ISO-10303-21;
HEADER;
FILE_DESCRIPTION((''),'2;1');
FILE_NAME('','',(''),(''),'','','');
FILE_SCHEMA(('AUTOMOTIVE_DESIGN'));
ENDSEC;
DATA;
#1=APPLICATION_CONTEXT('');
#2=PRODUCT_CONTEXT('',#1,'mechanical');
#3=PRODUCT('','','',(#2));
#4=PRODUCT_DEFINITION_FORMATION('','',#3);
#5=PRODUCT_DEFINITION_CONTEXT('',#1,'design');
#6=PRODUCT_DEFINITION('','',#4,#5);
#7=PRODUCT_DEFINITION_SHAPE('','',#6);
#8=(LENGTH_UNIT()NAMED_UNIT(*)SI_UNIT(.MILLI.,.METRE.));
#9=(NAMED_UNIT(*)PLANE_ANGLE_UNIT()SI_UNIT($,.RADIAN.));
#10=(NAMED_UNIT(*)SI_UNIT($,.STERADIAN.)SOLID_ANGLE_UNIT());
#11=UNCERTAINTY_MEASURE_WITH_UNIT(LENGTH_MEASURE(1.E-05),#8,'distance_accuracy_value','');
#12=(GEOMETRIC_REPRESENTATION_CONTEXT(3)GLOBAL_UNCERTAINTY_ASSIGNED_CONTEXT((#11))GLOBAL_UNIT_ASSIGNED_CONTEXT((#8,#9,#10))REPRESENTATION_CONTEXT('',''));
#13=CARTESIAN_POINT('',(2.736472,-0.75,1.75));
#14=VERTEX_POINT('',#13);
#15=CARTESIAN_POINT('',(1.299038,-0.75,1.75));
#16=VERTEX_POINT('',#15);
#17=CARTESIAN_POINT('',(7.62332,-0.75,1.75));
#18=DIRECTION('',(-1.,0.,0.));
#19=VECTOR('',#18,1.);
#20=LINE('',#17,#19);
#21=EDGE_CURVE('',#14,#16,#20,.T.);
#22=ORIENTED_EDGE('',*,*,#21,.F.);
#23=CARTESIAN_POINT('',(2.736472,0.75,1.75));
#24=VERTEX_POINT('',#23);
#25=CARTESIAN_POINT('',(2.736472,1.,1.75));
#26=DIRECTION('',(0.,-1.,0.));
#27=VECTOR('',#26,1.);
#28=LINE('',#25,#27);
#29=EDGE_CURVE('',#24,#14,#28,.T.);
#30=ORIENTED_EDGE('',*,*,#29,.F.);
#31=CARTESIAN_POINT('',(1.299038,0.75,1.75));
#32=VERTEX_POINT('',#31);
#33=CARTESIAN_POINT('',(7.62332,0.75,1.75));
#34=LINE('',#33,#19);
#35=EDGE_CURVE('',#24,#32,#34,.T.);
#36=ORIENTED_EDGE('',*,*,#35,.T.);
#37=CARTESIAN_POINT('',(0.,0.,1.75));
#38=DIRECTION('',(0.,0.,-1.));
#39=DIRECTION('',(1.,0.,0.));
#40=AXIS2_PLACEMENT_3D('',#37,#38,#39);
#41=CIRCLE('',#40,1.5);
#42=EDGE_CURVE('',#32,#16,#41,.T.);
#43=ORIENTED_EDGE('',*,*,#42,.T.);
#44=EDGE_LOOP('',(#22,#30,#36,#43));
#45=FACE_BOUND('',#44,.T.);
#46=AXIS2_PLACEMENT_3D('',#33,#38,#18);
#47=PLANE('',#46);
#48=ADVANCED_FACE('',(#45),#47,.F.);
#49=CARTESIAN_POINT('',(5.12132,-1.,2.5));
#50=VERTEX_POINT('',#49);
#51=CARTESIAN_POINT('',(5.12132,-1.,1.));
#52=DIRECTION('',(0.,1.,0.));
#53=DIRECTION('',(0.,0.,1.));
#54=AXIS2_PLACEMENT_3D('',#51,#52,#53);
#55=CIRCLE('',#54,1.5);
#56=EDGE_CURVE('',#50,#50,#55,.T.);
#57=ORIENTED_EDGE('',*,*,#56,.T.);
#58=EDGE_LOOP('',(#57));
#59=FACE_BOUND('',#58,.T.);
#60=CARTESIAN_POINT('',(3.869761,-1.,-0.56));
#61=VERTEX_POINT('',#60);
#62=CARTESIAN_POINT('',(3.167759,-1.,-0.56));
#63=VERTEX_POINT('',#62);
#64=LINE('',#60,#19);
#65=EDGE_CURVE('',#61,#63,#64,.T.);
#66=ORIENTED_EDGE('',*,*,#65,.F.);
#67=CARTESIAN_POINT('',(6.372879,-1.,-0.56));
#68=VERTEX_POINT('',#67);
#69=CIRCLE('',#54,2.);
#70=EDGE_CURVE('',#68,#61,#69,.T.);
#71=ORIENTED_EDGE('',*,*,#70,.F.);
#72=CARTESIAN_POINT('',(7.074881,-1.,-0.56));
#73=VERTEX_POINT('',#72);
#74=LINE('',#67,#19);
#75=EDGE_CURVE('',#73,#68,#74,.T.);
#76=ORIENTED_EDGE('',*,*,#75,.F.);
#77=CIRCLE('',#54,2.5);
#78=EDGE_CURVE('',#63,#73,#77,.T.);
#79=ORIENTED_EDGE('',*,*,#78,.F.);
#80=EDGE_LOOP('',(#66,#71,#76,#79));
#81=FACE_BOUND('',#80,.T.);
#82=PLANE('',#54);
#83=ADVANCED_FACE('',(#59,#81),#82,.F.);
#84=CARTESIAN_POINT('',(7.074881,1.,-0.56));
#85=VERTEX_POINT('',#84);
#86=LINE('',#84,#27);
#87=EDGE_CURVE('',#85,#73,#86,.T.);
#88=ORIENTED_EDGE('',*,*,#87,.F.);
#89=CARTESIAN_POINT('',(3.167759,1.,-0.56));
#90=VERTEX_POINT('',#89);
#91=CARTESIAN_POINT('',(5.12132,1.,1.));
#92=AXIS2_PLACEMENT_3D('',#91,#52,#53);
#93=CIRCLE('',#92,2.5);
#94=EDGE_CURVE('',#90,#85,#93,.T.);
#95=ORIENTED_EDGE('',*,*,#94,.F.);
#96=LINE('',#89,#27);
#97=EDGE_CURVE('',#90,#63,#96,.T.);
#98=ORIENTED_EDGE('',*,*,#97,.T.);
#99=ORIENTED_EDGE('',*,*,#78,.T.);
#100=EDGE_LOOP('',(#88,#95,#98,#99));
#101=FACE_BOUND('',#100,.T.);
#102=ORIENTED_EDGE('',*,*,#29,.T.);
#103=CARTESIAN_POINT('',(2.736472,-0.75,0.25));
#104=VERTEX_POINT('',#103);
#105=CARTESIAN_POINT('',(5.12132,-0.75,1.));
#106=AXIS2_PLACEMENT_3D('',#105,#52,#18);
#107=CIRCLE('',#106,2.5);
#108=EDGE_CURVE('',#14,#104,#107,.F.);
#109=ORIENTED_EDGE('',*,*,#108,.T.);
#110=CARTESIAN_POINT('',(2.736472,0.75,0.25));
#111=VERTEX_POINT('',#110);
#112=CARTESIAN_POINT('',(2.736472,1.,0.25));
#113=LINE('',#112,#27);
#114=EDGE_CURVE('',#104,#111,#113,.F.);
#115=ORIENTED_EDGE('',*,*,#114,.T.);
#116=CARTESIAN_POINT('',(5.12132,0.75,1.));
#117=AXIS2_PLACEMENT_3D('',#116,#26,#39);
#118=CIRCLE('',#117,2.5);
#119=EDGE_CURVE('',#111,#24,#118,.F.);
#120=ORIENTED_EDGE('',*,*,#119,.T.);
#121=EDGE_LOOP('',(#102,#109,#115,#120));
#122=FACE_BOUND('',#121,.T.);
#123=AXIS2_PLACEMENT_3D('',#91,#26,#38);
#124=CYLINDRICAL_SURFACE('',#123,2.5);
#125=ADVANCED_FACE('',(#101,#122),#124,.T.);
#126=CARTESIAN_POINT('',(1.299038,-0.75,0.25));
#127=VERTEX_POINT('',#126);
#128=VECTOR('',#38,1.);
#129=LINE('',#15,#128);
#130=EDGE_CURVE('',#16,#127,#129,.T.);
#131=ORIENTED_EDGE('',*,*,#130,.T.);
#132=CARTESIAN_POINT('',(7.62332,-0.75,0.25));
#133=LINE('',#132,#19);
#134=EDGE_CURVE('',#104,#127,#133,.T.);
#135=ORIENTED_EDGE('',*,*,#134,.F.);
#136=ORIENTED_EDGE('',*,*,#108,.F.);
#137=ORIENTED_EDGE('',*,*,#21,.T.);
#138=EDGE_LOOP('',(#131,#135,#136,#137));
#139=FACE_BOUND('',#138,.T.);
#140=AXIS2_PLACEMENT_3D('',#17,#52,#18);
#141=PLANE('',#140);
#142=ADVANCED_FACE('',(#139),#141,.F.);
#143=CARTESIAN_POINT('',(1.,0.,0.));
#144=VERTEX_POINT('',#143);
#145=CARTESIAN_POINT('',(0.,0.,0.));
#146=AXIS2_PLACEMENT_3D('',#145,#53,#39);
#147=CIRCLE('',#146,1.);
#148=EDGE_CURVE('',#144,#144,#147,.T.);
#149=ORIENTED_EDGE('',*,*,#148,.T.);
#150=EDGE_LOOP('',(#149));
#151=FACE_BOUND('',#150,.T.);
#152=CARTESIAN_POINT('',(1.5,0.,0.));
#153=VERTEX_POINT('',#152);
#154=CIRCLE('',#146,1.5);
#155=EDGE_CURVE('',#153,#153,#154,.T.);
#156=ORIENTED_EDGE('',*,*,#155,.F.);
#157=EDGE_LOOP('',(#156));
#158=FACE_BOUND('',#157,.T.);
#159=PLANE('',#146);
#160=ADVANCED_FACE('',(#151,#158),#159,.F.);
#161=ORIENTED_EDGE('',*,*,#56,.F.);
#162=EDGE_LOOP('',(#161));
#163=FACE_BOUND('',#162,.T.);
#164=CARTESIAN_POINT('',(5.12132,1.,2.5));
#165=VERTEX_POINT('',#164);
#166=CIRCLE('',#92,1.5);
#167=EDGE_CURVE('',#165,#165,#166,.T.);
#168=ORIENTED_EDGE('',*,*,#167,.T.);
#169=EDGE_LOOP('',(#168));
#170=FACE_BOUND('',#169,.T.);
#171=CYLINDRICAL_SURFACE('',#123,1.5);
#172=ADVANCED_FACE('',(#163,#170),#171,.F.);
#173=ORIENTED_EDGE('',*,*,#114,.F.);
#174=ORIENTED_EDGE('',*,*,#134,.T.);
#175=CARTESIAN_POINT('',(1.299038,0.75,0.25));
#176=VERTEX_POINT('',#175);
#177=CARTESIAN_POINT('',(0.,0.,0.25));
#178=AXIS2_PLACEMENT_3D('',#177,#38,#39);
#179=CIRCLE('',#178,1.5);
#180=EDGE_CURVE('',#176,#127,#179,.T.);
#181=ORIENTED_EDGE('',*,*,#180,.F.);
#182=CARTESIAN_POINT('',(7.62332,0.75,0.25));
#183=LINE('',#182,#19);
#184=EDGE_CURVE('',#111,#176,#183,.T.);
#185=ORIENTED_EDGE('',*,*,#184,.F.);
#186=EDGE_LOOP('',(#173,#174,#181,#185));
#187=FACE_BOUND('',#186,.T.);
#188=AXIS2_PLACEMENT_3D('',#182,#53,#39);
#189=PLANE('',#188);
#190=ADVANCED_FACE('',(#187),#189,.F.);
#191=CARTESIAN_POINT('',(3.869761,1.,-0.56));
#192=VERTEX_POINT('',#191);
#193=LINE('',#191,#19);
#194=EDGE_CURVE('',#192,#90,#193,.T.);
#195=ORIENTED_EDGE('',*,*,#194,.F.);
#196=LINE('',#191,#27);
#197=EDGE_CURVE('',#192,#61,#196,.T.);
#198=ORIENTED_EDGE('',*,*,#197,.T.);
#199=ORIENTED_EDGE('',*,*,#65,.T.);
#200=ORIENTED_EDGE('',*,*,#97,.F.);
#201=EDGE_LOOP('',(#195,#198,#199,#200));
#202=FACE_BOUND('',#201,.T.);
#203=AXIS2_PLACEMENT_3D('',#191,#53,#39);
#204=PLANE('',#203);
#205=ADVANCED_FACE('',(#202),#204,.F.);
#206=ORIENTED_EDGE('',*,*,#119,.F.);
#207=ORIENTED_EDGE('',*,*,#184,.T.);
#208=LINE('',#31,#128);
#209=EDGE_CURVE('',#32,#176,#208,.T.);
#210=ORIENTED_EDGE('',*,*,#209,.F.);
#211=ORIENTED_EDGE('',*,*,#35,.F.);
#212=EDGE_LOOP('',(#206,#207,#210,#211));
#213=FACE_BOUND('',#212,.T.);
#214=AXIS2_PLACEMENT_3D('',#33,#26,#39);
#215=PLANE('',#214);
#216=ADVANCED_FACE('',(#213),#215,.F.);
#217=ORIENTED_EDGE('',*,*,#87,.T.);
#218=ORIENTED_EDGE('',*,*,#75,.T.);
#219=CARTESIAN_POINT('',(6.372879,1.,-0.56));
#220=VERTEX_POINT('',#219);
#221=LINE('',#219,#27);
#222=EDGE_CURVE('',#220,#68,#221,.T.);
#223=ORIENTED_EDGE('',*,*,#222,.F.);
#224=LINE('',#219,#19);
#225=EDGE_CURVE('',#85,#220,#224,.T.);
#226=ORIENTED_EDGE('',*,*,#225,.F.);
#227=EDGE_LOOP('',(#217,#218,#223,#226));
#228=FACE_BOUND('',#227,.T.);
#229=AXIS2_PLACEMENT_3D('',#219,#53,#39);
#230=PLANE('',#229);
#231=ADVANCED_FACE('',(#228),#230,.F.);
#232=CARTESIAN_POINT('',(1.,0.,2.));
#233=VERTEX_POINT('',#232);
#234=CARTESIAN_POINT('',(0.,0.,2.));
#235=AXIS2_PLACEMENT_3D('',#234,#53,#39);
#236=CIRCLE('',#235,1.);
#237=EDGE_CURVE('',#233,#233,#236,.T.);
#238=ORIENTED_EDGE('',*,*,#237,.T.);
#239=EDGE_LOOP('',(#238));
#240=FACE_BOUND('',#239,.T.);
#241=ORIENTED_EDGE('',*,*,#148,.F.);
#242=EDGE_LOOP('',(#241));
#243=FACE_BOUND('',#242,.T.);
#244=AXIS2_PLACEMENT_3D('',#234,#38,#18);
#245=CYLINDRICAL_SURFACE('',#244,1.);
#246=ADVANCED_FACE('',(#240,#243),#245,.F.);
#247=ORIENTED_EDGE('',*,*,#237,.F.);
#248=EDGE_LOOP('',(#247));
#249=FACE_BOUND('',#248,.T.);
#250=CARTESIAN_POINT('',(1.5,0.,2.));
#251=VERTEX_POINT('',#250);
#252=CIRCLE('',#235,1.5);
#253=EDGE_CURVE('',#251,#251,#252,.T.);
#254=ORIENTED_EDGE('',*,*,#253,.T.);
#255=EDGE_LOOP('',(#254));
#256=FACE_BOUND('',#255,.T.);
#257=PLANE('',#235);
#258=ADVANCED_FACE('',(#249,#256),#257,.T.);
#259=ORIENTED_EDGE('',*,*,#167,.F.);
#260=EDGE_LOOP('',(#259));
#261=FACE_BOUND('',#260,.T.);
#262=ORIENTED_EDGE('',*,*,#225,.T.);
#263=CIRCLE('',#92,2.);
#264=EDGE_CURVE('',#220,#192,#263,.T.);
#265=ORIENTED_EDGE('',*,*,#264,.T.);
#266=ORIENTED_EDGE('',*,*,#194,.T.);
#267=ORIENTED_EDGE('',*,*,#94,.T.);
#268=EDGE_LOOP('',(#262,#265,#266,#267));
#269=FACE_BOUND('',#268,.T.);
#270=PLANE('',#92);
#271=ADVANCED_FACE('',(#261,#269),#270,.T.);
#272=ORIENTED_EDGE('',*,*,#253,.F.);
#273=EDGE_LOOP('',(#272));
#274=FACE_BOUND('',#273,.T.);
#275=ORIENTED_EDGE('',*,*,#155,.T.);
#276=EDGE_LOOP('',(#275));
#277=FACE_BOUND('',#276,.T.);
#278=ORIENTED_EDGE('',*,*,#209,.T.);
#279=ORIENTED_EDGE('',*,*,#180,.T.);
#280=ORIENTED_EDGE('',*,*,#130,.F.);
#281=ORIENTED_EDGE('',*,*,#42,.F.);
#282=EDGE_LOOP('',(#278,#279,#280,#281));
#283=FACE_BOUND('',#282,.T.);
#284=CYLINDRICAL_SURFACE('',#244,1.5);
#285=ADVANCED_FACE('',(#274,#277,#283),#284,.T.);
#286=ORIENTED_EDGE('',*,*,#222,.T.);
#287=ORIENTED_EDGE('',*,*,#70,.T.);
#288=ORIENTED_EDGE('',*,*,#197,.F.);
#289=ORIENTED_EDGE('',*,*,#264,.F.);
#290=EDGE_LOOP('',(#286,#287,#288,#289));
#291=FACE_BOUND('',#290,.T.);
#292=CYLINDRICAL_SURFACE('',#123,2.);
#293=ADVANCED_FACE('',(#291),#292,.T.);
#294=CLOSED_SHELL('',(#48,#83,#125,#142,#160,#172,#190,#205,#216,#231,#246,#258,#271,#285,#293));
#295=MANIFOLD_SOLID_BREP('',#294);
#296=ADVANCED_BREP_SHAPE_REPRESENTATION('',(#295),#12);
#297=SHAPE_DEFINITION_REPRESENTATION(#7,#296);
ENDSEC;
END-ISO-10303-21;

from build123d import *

# Parameters (mm, degrees)
SKETCH_1_R      = 1.5
SKETCH_1_R_2    = 1
EXTRUDE_1_DEPTH = 2
SKETCH_6_R      = 1.5
EXTRUDE_2_DEPTH = 1
EXTRUDE_3_DEPTH = 0.75
EXTRUDE_4_REACH = 8.98
SKETCH_10_W     = 1.5
SKETCH_10_H     = 1.5


with BuildPart() as part:
    # 草图1 → 凸台-拉伸1 (new body)
    with BuildSketch(Plane.XY):
        Circle(SKETCH_1_R)
        Circle(SKETCH_1_R_2, mode=Mode.SUBTRACT)
    extrude(amount=EXTRUDE_1_DEPTH)

    # 草图8 → 凸台-拉伸3 (add, symmetric)
    with BuildSketch(Plane.XY.offset(1)):
        with BuildLine():
            Line((1.299038106, 0.75), (1.771810874, 0.75))
            Line((1.771810874, 0.75), (1.771810874, -0.75))
            Line((1.771810874, -0.75), (1.299038106, -0.75))
            ThreePointArc((1.299038106, -0.75), (1.5, 0), (1.299038106, 0.75))
        make_face()
    extrude(amount=EXTRUDE_3_DEPTH, both=True)


with BuildPart() as body_2:
    # 草图6 → 凸台-拉伸2 (new, symmetric)
    with BuildSketch(Plane(origin=(0, 0, 0), x_dir=(1, 0, 0), z_dir=(0, 1, 0))):
        with BuildLine():
            Line((6.372879371, 0.56), (7.074881195, 0.56))
            ThreePointArc((7.074881195, 0.56), (5.121320344, -3.5), (3.167759492, 0.56))
            Line((3.167759492, 0.56), (3.869761316, 0.56))
            ThreePointArc((3.869761316, 0.56), (5.121320344, 1), (6.372879371, 0.56))
        make_face()
        with Locations((5.121320344, -1)):
            Circle(SKETCH_6_R, mode=Mode.SUBTRACT)
    extrude(amount=EXTRUDE_2_DEPTH, both=True)

    # 草图10 → 凸台-拉伸4 (add, up to next)
    with BuildSketch(Plane(origin=(1.771810874, 0, 0), x_dir=(0, 0, -1), z_dir=(1, 0, 0)), mode=Mode.PRIVATE) as extrude_4_sk1:
        with Locations((-1, 0)):
            Rectangle(SKETCH_10_W, SKETCH_10_H)
    extrude_4_tool1 = extrude(extrude_4_sk1.sketch, amount=EXTRUDE_4_REACH, mode=Mode.PRIVATE) - body_2.part

    add(part.part)  # 凸台-拉伸4 merges part
    add(extrude_4_tool1.solids().sort_by_distance((1.771811, 0, 1))[0])


solid = body_2.part
